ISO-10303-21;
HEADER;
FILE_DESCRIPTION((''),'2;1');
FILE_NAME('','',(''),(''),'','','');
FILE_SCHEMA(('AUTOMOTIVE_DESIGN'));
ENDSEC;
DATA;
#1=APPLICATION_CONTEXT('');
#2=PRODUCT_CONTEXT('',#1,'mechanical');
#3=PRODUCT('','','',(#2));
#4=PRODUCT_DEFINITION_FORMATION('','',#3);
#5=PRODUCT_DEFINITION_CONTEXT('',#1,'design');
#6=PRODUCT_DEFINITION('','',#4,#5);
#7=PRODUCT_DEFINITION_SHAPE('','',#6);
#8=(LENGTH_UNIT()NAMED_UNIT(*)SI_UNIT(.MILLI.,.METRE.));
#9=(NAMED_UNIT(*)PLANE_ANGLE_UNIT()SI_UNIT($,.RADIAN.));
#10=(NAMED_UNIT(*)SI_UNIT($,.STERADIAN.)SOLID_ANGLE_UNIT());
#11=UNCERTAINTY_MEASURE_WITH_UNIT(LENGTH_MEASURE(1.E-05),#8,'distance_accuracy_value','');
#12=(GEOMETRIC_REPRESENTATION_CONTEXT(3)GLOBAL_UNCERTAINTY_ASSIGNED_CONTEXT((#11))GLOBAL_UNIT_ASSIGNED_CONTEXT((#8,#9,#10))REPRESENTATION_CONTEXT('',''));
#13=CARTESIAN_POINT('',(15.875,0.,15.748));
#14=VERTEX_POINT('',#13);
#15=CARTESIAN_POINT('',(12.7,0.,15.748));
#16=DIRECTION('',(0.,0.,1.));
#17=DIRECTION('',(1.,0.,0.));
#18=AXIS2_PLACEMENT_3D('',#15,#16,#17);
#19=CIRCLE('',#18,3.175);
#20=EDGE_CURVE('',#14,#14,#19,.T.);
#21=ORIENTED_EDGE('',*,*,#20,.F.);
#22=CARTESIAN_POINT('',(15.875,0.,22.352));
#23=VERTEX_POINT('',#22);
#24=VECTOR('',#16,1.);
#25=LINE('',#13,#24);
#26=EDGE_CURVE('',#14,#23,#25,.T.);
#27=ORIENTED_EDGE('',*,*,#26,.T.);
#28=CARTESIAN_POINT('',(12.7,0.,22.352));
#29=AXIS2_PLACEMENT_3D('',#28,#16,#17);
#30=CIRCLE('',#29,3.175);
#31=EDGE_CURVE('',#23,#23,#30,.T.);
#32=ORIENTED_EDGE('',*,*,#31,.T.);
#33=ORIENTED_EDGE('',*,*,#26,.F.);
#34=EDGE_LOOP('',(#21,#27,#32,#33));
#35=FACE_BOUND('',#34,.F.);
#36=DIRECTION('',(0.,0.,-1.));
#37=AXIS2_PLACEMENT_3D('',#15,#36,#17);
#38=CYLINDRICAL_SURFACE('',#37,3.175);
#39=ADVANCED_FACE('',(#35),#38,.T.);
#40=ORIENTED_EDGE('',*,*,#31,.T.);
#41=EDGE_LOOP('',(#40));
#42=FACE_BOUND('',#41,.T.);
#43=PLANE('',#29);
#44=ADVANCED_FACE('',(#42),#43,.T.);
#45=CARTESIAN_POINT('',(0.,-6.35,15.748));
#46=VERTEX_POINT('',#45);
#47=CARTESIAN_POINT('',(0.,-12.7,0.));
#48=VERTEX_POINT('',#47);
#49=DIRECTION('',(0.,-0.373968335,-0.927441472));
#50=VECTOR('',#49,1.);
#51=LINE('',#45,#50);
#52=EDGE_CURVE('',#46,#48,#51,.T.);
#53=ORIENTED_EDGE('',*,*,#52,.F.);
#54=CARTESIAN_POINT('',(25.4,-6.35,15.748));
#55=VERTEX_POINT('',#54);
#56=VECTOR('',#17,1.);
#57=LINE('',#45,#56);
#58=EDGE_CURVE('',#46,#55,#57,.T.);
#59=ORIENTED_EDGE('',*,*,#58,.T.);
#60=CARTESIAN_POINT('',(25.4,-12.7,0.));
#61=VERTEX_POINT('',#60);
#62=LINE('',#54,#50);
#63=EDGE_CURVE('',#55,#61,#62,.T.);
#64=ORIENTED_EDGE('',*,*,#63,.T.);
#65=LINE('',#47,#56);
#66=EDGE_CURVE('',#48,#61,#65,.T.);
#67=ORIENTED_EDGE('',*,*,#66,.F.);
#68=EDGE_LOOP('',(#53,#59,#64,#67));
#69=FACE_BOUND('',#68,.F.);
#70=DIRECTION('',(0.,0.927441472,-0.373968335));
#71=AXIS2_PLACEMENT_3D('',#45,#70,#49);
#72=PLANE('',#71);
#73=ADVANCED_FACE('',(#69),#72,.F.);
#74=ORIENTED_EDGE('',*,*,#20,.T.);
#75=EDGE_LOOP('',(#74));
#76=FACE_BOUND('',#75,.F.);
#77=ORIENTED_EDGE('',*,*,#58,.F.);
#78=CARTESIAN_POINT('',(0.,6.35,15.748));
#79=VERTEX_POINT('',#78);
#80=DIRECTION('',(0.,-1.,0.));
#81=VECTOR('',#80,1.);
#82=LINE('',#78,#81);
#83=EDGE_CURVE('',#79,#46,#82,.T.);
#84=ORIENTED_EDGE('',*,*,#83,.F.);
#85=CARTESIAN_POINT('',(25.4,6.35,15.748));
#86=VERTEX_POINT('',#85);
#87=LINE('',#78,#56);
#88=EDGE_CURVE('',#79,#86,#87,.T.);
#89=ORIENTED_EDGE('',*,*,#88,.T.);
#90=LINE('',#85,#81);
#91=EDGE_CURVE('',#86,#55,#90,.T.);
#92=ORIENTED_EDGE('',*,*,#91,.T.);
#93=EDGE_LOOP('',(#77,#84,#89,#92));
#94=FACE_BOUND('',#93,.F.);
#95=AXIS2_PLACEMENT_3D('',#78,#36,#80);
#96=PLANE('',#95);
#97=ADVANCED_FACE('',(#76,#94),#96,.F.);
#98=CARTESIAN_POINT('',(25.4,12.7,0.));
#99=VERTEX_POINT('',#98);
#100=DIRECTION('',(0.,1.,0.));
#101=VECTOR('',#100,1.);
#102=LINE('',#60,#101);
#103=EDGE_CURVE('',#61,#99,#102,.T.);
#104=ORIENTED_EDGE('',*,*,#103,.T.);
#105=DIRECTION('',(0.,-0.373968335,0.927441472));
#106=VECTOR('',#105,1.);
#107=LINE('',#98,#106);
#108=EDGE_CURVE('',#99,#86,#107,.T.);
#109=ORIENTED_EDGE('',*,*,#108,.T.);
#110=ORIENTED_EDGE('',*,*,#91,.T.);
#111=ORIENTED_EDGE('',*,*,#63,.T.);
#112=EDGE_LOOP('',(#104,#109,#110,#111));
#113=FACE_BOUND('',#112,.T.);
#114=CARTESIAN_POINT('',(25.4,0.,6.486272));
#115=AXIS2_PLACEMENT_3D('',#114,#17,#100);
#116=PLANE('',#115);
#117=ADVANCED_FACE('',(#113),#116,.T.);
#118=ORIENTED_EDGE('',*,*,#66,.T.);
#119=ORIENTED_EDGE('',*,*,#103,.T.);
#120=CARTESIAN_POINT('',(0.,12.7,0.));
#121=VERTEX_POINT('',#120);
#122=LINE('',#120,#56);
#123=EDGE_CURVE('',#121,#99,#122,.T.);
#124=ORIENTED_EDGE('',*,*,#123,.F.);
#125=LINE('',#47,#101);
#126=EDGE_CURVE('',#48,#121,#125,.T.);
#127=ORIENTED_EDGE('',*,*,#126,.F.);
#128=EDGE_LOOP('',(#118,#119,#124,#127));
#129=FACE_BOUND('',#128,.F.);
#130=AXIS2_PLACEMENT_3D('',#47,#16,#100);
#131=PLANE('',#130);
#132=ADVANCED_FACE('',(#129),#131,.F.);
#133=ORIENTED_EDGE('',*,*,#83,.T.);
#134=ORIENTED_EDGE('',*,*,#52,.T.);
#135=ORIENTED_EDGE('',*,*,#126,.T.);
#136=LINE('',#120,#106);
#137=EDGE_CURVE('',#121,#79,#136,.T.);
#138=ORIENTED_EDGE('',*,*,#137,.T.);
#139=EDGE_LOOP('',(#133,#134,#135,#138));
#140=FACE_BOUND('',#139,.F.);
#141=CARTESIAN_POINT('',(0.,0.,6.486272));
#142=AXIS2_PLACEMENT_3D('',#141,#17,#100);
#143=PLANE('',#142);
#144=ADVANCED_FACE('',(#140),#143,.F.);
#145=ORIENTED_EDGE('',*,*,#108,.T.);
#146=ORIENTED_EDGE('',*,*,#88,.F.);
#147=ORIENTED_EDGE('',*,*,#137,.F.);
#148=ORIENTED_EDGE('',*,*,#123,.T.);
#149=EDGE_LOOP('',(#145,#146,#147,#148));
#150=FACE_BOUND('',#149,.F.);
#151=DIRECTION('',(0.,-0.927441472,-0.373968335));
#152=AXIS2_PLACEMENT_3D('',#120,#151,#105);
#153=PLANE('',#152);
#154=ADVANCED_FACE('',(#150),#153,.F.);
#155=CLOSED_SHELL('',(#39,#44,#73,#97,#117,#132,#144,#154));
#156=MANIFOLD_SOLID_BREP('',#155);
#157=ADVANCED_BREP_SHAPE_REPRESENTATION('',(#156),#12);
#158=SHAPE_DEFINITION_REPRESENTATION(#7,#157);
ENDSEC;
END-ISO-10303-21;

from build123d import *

# Parameters (mm, degrees)
F1_DEPTH = 25.4
F2_R     = 3.175
F3_DEPTH = 6.604


with BuildPart() as f1:
    # F0 (on Right) → F1 (new body)
    with BuildSketch(Plane.YZ):
        Polygon((-6.35, 15.748), (-12.7, 0), (12.7, 0), (6.35, 15.748), align=None)
    extrude(amount=F1_DEPTH)

    # F2 (on face) → F3 (join)
    with BuildSketch(Plane.XY.offset(15.748)):
        with Locations((12.7, 0)):
            Circle(F2_R)
    extrude(amount=F3_DEPTH)


solid = f1.part
